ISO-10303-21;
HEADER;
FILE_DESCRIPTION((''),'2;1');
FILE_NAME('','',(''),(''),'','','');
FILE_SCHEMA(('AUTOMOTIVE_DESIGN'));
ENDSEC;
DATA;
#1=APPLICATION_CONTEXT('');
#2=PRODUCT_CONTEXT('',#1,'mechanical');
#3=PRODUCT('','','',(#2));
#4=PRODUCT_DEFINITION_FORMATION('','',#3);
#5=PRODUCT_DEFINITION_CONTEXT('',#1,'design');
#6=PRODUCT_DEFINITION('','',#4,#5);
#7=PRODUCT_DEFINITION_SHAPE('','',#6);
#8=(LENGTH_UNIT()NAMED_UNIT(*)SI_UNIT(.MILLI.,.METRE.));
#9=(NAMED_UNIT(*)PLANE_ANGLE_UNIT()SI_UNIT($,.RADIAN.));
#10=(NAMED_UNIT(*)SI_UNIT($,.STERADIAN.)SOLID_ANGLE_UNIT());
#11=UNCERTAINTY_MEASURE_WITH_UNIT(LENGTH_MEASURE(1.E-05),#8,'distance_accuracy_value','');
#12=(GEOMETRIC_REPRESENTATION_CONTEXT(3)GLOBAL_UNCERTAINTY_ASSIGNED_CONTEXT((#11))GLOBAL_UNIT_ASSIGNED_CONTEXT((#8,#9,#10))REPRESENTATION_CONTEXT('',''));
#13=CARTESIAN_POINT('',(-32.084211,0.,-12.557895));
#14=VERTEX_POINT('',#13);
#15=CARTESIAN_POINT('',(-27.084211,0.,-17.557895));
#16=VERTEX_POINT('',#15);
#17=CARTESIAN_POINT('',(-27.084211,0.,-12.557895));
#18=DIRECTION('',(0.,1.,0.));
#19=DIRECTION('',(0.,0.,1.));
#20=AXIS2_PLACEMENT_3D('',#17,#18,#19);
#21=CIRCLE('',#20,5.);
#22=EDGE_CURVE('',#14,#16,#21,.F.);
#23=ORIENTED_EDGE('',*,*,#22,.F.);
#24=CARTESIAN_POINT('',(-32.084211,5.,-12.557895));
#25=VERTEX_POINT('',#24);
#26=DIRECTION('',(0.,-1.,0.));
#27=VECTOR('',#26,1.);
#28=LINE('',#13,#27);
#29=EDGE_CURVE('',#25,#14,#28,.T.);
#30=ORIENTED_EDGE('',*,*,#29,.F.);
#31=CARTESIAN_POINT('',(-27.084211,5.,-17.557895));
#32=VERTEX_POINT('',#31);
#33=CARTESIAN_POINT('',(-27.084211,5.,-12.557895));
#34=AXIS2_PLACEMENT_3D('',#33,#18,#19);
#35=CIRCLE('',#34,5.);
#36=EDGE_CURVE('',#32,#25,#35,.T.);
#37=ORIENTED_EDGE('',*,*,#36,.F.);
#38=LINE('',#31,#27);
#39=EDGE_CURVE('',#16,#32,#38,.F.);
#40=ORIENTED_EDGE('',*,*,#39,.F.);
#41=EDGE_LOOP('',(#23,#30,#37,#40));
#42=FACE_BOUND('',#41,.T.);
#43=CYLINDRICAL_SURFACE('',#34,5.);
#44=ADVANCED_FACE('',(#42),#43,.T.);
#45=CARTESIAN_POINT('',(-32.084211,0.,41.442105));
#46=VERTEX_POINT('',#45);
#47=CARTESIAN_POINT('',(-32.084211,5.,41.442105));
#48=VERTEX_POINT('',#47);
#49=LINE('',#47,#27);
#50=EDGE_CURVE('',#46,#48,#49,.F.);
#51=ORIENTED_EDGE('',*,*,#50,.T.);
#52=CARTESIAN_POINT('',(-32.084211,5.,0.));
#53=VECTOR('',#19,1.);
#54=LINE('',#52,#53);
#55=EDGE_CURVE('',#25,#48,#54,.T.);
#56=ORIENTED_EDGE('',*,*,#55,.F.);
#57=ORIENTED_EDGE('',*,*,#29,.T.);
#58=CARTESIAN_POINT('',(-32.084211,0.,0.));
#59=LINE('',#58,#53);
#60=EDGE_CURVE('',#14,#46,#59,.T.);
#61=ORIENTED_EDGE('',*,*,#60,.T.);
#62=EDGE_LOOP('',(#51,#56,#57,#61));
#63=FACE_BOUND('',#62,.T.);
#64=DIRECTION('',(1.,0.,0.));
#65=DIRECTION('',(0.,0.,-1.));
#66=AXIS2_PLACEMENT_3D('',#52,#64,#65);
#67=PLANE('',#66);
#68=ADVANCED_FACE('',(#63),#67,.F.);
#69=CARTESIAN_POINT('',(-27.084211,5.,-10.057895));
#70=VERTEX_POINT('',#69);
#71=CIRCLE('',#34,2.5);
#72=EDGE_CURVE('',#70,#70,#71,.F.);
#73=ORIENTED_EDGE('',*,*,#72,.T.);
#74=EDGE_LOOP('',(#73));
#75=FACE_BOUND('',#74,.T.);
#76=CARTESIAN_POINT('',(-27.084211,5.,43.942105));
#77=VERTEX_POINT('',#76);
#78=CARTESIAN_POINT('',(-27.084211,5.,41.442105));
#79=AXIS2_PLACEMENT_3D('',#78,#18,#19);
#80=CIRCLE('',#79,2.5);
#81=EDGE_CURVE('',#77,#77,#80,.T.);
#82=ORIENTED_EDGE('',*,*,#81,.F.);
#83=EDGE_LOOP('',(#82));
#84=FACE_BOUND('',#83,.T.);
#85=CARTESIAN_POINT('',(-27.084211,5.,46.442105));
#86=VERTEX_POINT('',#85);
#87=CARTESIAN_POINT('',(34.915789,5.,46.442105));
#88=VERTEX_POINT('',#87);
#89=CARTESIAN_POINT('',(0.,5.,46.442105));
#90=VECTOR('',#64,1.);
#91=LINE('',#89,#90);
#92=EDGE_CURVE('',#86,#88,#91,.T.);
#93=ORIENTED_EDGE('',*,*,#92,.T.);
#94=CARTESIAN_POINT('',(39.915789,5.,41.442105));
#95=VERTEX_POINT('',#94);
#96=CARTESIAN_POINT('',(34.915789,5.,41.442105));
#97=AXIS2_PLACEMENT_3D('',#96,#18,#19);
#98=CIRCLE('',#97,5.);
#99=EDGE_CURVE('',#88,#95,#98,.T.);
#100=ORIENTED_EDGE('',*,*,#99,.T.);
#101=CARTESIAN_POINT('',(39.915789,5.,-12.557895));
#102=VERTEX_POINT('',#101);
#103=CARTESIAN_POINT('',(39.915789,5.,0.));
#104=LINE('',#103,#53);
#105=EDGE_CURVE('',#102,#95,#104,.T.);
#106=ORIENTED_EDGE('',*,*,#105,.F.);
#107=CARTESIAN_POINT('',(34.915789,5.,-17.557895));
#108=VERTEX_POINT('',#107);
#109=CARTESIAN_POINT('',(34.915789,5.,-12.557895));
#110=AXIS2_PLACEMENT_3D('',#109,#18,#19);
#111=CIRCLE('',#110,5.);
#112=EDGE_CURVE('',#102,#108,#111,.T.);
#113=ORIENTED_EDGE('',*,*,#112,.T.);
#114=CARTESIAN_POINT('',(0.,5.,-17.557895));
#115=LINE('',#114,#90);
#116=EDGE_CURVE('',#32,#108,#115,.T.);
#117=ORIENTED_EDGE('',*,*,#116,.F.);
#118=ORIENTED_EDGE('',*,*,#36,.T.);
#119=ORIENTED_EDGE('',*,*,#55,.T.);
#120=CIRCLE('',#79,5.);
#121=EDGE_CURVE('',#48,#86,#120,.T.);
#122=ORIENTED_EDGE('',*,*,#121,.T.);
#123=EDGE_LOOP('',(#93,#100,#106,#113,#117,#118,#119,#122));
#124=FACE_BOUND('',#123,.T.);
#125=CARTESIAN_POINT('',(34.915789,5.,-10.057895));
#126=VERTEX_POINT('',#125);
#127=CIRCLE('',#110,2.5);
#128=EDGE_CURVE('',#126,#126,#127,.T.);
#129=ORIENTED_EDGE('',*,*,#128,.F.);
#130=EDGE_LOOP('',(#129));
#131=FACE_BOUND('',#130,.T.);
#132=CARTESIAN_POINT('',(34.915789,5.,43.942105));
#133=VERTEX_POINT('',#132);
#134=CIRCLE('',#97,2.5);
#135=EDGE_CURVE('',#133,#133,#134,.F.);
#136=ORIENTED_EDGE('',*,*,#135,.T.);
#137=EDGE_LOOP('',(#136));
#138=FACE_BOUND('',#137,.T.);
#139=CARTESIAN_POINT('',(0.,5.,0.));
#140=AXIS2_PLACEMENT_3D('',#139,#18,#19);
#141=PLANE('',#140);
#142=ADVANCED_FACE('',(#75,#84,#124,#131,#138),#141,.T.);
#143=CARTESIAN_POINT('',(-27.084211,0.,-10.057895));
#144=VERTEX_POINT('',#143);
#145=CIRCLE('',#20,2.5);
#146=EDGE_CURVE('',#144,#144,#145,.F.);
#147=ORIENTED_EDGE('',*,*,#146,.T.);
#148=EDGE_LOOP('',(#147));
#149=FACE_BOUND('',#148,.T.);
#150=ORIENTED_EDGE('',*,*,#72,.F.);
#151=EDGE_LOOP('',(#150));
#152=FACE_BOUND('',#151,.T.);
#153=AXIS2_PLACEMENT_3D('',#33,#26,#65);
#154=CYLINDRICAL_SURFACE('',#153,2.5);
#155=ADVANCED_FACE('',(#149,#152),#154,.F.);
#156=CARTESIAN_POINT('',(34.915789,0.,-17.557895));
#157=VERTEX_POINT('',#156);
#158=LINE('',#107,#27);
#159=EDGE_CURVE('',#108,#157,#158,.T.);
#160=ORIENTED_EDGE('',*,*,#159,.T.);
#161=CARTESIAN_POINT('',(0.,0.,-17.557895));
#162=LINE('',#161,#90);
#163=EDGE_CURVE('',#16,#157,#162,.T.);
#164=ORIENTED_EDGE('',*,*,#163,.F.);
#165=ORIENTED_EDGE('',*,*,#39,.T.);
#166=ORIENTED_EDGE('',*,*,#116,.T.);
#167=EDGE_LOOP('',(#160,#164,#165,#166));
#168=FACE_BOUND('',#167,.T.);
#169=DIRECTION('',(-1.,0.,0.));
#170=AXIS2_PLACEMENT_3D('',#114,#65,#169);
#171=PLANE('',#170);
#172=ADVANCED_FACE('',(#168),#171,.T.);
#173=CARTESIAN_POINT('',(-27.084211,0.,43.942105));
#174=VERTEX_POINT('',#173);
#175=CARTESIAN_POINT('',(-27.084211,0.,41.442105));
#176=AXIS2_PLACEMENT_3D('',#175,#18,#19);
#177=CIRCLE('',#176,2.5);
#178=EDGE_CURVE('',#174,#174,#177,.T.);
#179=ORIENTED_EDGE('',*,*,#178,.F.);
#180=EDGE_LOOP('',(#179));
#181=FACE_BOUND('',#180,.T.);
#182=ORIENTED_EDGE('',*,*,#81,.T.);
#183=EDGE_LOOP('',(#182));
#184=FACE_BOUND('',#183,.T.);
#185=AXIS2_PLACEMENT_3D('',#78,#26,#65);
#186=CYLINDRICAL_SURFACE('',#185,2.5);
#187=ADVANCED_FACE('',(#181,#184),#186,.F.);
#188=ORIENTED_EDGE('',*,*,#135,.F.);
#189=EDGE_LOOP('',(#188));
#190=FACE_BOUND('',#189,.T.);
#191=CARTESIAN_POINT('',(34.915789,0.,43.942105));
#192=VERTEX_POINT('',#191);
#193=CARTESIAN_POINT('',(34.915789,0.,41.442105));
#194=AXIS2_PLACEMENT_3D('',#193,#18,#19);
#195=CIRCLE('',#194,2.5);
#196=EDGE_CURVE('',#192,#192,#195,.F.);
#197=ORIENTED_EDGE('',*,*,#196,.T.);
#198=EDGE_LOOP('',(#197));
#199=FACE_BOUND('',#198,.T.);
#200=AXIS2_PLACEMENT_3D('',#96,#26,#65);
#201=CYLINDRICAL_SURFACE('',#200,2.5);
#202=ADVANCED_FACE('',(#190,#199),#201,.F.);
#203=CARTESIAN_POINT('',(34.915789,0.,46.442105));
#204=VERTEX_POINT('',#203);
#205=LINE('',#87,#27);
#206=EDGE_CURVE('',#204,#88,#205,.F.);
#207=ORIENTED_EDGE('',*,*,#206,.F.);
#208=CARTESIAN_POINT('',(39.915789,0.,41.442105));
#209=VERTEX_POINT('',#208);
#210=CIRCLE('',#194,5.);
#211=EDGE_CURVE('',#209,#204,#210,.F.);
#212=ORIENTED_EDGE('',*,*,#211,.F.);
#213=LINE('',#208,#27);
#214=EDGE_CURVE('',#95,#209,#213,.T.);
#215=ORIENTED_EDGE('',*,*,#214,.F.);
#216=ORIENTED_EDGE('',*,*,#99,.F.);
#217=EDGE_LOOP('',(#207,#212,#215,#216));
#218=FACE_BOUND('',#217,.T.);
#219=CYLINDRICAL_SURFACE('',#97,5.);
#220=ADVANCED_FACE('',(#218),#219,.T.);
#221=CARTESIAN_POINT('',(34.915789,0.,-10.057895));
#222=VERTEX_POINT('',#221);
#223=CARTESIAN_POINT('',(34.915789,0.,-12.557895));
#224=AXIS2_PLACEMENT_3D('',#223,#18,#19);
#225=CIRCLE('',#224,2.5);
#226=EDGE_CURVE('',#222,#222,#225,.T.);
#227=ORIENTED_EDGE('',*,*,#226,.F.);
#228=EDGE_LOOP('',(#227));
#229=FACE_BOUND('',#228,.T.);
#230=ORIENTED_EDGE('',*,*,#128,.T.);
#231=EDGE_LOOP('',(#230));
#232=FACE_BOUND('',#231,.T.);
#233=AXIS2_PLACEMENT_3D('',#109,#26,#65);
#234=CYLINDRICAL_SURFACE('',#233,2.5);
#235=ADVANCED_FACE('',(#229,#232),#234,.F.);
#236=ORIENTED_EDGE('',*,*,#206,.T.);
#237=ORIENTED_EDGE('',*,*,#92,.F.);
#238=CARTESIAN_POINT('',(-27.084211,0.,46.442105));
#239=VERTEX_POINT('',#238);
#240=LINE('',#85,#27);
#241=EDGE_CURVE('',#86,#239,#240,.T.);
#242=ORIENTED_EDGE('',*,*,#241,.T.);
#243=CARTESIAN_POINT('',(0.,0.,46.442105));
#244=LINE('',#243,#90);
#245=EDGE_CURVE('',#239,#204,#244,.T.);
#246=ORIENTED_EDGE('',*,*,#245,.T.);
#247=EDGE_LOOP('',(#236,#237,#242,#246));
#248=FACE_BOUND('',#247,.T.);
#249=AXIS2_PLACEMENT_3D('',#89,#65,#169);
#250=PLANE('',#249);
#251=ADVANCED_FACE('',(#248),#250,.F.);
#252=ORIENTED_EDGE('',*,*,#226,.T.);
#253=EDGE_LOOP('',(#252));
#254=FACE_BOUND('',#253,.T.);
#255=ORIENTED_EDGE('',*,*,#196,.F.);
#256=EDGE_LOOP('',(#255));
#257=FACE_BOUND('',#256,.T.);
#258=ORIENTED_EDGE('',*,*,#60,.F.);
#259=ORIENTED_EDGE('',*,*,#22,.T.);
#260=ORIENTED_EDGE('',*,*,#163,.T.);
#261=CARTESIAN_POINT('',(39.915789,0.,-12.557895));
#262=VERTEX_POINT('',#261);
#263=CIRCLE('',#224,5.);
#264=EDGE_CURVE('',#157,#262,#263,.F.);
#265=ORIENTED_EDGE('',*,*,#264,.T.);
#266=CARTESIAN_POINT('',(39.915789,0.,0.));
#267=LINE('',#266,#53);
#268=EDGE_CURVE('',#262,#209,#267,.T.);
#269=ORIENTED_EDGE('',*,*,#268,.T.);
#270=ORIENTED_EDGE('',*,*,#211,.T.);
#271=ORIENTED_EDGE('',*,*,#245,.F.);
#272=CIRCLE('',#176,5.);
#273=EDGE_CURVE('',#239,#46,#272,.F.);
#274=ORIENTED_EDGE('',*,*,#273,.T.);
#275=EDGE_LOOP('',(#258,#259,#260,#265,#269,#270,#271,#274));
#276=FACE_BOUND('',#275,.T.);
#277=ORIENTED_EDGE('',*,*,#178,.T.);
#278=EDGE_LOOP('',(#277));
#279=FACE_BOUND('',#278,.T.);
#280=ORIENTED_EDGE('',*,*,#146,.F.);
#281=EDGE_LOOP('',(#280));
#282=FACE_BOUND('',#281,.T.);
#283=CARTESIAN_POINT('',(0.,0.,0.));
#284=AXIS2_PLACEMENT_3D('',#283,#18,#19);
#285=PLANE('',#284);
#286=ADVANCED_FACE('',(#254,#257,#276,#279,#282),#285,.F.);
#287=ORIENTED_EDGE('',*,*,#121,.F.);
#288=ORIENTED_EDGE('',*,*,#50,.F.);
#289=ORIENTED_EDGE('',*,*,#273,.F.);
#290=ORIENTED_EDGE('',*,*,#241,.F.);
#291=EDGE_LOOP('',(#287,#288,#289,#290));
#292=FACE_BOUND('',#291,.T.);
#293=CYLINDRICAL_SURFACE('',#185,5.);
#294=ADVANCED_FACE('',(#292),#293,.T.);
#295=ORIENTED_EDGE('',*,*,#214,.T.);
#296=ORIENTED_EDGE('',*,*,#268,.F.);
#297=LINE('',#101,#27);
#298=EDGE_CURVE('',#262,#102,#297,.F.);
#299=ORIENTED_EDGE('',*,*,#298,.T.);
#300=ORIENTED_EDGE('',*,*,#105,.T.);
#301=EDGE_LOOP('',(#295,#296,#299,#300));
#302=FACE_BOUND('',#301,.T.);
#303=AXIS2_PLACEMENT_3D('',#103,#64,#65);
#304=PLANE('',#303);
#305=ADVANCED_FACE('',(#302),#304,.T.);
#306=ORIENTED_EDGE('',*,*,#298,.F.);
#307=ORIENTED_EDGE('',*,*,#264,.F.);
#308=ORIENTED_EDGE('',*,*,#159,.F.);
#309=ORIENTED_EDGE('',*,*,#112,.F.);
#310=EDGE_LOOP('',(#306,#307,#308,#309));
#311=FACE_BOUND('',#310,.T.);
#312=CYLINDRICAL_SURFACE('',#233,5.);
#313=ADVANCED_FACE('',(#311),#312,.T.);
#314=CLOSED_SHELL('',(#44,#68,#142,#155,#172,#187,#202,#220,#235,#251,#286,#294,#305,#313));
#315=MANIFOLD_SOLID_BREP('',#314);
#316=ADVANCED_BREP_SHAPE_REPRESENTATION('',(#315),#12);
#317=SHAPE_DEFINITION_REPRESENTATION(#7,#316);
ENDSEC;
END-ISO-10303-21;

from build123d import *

# Parameters (mm, degrees)
SKETCH1_W           = 72
SKETCH1_H           = 64
SKETCH1_R           = 2.5
BOSS_EXTRUDE1_DEPTH = 5
FILLET1_R           = 5


with BuildPart() as part:
    # Sketch1 → Boss-Extrude1 (new body)
    with BuildSketch(Plane(origin=(0, 0, 0), x_dir=(1, 0, 0), z_dir=(0, 1, 0))):
        with Locations((3.915789474, -14.442105263)):
            Rectangle(SKETCH1_W, SKETCH1_H)
        with Locations((34.915789474, 12.557894737)):
            Circle(SKETCH1_R, mode=Mode.SUBTRACT)
        with Locations((-27.084210526, 12.557894737)):
            Circle(SKETCH1_R, mode=Mode.SUBTRACT)
        with Locations((34.915789474, -41.442105263)):
            Circle(SKETCH1_R, mode=Mode.SUBTRACT)
        with Locations((-27.084210526, -41.442105263)):
            Circle(SKETCH1_R, mode=Mode.SUBTRACT)
    extrude(amount=BOSS_EXTRUDE1_DEPTH)

    # Fillet1
    fillet1_edges = [part.edges().sort_by_distance(p)[0] for p in [
        (-32.084210526, 2.5, -17.557894737),
        (39.915789474, 2.5, -17.557894737),
        (39.915789474, 2.5, 46.442105263),
        (-32.084210526, 2.5, 46.442105263),
    ]]
    fillet(fillet1_edges, radius=FILLET1_R)


solid = part.part
